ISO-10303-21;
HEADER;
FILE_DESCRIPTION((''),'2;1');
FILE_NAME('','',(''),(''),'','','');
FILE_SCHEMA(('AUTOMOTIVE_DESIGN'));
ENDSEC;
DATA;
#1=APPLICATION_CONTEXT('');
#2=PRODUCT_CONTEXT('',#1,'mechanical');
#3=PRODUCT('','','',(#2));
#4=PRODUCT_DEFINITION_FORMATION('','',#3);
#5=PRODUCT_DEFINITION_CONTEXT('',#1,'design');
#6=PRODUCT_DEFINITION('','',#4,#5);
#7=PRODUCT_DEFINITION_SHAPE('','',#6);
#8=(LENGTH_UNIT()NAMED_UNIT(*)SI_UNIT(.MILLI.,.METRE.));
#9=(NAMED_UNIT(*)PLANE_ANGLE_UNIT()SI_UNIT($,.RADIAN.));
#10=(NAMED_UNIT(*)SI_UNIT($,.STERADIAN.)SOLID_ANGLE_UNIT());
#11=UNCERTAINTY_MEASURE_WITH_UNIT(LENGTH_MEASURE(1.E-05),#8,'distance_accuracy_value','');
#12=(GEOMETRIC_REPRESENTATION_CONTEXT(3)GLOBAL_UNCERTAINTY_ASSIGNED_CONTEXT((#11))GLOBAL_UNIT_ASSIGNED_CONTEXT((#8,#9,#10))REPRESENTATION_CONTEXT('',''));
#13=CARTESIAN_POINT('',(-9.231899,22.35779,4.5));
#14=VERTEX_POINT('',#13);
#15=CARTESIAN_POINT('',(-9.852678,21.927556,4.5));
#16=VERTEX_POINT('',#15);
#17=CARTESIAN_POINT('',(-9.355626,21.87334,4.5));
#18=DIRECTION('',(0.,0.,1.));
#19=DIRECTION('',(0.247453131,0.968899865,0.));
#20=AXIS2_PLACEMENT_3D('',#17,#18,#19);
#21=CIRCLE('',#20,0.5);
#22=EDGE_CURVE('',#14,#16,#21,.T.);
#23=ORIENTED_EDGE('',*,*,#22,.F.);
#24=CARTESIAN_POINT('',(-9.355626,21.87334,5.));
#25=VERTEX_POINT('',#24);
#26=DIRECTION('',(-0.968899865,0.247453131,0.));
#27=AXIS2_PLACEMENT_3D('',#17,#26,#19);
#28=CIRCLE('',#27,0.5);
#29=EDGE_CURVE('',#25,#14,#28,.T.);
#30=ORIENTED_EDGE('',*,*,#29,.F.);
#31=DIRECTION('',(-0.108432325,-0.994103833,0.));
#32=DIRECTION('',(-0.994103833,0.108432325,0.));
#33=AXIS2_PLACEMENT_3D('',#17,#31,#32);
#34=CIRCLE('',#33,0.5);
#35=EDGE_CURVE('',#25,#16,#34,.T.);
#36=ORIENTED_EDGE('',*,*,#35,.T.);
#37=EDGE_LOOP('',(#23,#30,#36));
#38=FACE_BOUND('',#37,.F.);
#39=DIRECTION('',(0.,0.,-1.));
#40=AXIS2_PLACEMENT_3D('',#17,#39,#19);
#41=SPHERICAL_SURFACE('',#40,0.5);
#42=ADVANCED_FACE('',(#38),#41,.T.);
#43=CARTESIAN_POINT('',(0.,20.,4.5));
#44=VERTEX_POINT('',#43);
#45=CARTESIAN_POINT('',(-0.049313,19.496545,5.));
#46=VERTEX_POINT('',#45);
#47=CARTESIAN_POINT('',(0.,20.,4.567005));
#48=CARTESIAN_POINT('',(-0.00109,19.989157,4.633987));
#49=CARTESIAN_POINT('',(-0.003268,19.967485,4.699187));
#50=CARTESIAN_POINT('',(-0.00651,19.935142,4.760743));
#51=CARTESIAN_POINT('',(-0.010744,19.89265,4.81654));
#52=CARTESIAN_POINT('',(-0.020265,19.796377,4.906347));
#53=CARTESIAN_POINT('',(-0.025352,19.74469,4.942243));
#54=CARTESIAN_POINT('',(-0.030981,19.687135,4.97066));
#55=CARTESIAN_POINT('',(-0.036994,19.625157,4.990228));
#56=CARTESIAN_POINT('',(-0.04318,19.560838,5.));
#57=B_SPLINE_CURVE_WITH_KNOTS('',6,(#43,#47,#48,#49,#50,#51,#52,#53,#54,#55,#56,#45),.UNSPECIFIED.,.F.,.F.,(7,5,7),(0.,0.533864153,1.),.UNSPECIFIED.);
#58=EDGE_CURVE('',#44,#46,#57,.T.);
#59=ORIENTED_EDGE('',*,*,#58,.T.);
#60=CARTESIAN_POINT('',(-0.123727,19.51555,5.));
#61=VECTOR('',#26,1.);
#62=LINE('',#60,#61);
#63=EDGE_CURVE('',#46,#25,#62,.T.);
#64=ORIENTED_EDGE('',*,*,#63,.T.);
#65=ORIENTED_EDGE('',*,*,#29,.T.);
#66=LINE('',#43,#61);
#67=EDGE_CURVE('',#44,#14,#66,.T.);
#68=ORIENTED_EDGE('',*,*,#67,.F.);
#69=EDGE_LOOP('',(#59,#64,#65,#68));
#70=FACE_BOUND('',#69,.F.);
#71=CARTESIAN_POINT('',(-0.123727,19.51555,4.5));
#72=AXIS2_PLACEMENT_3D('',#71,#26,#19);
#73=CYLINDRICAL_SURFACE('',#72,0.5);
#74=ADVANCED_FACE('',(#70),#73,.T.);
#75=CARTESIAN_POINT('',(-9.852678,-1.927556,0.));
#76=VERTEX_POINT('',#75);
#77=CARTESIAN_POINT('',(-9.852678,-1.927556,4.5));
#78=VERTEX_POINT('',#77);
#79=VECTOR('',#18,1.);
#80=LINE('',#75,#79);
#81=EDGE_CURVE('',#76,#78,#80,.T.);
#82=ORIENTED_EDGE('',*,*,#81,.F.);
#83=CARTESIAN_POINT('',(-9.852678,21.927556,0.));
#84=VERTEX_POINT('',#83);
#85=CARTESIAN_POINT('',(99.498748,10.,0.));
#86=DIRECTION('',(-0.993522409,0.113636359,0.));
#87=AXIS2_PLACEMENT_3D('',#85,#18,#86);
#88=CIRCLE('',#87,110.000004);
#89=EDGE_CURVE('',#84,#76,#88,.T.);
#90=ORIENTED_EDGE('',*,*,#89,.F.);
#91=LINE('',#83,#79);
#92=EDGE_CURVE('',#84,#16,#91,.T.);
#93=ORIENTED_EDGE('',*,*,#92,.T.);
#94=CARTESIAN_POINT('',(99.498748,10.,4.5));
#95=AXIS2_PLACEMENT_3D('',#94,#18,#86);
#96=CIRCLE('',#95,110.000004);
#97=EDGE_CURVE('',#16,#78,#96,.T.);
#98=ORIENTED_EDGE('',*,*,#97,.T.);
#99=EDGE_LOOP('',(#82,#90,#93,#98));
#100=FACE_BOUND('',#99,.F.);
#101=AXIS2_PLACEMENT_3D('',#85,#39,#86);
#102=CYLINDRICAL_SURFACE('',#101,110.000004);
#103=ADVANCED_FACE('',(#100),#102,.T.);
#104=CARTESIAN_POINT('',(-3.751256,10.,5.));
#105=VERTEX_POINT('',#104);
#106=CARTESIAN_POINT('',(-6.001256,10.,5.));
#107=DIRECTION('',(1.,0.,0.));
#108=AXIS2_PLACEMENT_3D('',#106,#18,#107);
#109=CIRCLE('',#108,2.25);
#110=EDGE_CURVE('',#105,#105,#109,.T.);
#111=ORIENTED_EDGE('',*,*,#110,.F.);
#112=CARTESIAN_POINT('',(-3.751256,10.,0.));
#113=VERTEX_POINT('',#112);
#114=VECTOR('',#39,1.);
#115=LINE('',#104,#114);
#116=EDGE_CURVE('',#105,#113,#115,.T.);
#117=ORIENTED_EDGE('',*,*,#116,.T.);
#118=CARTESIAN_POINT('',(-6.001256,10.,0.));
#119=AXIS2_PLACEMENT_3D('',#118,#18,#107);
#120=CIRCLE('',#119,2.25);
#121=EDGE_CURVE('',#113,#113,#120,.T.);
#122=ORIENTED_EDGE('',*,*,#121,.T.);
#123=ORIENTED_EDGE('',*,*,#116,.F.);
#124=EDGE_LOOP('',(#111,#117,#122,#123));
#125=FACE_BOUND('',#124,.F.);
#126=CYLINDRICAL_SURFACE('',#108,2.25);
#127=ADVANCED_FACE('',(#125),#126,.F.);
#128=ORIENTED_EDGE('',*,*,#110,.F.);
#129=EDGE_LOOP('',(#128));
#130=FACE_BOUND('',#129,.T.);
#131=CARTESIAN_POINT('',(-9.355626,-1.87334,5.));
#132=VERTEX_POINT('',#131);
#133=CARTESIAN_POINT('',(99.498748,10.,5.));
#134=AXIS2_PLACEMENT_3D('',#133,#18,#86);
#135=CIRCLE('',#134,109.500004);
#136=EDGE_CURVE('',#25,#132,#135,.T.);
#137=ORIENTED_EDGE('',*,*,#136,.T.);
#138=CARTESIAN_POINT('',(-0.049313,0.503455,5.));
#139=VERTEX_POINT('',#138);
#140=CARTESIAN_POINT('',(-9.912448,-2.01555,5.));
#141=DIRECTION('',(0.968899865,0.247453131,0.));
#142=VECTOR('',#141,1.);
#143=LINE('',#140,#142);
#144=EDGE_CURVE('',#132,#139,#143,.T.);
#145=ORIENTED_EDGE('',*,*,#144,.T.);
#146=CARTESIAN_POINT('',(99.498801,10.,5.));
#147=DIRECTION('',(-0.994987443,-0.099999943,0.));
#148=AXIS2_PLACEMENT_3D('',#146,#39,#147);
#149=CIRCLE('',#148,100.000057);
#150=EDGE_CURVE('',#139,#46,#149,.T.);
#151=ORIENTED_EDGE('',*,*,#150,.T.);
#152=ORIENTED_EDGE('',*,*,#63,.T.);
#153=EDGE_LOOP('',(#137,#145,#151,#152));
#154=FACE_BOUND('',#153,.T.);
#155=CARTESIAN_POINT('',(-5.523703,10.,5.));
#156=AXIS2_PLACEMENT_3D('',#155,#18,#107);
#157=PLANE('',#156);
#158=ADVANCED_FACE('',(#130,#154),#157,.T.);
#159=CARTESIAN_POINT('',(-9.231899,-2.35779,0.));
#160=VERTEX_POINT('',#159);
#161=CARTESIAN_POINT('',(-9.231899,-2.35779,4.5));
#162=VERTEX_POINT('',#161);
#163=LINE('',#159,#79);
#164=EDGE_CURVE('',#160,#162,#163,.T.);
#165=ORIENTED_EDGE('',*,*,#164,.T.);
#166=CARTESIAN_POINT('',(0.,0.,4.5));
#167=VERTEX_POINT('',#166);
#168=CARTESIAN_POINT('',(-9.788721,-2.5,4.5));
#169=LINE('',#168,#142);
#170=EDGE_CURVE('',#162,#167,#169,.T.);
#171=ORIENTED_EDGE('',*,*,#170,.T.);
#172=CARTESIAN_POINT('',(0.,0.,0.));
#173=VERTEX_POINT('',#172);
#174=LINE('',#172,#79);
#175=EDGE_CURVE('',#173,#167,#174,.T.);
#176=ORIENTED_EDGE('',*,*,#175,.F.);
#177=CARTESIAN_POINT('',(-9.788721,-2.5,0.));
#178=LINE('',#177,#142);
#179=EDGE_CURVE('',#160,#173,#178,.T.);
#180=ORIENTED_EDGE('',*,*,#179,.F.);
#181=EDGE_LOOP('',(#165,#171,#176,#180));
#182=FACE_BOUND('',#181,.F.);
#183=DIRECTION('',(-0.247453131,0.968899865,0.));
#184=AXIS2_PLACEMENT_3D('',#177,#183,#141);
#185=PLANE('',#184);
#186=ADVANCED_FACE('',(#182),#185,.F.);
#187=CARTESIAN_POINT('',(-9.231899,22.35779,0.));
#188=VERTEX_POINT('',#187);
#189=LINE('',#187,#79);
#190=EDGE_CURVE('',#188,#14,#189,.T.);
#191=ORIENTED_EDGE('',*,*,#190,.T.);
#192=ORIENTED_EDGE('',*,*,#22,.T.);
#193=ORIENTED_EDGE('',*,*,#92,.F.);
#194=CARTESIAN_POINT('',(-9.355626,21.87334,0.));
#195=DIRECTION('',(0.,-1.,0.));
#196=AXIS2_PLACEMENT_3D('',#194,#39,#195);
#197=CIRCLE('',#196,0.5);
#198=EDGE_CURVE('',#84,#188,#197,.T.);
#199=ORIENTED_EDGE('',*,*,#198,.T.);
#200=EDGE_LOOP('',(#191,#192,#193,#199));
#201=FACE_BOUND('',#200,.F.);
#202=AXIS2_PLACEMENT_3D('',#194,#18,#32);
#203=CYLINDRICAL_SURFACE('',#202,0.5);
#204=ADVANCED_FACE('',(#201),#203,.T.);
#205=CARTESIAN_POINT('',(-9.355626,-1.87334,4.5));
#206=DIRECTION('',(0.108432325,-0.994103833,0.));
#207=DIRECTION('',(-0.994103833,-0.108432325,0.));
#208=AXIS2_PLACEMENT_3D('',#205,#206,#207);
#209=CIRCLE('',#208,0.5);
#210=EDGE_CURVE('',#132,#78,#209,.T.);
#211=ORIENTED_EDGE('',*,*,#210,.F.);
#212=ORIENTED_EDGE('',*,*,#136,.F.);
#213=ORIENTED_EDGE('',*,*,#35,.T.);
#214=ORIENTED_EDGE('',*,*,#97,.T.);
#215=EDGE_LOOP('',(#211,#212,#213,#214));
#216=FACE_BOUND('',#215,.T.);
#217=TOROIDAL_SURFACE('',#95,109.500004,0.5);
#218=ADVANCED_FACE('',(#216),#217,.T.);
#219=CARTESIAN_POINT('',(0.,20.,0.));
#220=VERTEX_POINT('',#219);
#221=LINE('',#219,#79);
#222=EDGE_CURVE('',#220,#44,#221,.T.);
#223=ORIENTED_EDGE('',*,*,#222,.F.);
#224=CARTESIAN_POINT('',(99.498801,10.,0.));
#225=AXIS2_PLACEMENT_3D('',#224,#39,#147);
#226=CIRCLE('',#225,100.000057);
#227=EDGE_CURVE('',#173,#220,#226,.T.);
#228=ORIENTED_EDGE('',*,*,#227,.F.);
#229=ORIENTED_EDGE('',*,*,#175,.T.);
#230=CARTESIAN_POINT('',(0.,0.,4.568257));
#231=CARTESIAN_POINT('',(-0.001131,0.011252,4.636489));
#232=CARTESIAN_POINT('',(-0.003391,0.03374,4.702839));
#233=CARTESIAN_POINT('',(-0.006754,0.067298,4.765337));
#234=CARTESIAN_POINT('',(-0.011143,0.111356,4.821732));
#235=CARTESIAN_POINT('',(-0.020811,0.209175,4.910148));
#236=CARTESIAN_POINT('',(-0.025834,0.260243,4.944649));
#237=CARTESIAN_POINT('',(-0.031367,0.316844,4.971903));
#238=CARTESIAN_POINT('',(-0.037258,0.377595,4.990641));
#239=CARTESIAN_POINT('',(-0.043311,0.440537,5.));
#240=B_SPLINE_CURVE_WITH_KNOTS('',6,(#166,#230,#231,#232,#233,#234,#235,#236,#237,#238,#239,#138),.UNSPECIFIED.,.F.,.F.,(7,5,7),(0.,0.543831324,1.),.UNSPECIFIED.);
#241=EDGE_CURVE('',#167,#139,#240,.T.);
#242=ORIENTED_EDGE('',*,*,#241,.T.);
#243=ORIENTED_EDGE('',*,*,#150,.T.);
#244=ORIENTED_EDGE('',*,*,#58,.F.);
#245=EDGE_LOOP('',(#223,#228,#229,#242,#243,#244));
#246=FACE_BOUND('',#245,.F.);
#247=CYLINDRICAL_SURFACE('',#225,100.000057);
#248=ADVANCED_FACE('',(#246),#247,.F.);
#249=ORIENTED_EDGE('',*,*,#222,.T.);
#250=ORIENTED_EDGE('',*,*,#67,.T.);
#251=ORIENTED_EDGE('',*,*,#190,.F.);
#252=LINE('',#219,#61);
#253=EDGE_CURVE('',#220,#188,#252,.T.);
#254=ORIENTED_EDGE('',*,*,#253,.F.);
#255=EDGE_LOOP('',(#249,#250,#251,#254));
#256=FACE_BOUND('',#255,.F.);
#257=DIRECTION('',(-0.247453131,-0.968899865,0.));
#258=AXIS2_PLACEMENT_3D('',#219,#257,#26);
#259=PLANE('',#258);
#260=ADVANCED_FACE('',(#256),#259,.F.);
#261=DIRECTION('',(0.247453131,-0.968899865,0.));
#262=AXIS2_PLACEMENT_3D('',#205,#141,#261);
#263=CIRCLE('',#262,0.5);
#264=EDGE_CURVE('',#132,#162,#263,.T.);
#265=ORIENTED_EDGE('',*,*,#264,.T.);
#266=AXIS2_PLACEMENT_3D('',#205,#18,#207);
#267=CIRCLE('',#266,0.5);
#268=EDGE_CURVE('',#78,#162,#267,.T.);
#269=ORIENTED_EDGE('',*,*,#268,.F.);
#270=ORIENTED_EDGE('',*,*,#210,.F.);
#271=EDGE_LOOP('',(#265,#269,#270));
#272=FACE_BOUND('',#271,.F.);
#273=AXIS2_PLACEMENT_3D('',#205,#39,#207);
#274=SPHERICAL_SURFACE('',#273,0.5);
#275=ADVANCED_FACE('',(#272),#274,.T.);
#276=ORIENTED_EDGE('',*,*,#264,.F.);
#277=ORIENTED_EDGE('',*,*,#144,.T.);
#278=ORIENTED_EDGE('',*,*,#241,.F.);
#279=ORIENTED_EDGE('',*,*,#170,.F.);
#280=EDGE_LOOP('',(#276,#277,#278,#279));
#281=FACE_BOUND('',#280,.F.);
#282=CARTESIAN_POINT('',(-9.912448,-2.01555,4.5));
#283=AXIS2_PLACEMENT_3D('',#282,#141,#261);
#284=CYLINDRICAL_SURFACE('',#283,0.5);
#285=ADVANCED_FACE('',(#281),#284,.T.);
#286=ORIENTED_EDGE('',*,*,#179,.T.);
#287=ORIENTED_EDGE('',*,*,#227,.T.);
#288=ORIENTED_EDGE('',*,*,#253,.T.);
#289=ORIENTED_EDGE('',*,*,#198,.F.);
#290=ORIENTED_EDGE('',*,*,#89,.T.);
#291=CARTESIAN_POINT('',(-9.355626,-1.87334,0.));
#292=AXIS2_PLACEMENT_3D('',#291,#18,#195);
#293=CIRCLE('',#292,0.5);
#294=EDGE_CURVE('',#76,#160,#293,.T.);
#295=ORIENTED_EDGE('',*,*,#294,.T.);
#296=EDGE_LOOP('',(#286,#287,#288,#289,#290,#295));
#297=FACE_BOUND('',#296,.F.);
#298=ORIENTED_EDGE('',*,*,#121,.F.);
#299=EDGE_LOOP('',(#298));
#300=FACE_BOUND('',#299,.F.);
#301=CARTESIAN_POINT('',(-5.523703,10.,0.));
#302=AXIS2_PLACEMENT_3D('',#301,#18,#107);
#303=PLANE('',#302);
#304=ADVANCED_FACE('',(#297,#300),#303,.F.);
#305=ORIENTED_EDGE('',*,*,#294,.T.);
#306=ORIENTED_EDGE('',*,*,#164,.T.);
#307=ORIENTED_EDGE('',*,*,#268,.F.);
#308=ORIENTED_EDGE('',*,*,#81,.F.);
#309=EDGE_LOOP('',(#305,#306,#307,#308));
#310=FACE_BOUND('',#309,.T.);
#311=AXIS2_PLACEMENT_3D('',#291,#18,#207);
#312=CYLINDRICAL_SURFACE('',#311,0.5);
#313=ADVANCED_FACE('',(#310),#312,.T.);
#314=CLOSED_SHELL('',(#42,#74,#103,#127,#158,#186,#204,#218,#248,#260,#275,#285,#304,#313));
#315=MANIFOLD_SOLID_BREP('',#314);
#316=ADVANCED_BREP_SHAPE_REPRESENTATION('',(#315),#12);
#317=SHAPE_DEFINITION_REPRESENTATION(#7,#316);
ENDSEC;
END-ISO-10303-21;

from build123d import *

# Parameters (mm, degrees)
F1_DEPTH = 5
F2_R     = 2.25
F3_DEPTH = 25
F4_R     = 0.5


with BuildPart() as f1:
    # F0 (on Top) → F1 (new body)
    with BuildSketch(Plane.XY):
        with BuildLine():
            ThreePointArc((-9.788721, 22.5), (-10.501256, 10), (-9.788721, -2.5))
            Line((-9.788721, -2.5), (0, 0))
            ThreePointArc((0, 0), (-0.501256, 10), (0, 20))
            Line((0, 20), (-9.788721, 22.5))
        make_face()
    extrude(amount=F1_DEPTH)

    # F2 (on face) → F3 (cut)
    with BuildSketch(Plane.XY.offset(5)):
        with Locations((-6.001256, 10)):
            Circle(F2_R)
    extrude(amount=-F3_DEPTH, mode=Mode.SUBTRACT)

    # F4
    f4_edges = [f1.edges().sort_by_distance(p)[0] for p in [
        (-4.894361, -1.25, 5),
        (-9.788721, -2.5, 2.5),
        (-10.501256, 10, 5),
        (-9.788721, 22.5, 2.5),
        (-4.894361, 21.25, 5),
    ]]
    fillet(f4_edges, radius=F4_R)


solid = f1.part
